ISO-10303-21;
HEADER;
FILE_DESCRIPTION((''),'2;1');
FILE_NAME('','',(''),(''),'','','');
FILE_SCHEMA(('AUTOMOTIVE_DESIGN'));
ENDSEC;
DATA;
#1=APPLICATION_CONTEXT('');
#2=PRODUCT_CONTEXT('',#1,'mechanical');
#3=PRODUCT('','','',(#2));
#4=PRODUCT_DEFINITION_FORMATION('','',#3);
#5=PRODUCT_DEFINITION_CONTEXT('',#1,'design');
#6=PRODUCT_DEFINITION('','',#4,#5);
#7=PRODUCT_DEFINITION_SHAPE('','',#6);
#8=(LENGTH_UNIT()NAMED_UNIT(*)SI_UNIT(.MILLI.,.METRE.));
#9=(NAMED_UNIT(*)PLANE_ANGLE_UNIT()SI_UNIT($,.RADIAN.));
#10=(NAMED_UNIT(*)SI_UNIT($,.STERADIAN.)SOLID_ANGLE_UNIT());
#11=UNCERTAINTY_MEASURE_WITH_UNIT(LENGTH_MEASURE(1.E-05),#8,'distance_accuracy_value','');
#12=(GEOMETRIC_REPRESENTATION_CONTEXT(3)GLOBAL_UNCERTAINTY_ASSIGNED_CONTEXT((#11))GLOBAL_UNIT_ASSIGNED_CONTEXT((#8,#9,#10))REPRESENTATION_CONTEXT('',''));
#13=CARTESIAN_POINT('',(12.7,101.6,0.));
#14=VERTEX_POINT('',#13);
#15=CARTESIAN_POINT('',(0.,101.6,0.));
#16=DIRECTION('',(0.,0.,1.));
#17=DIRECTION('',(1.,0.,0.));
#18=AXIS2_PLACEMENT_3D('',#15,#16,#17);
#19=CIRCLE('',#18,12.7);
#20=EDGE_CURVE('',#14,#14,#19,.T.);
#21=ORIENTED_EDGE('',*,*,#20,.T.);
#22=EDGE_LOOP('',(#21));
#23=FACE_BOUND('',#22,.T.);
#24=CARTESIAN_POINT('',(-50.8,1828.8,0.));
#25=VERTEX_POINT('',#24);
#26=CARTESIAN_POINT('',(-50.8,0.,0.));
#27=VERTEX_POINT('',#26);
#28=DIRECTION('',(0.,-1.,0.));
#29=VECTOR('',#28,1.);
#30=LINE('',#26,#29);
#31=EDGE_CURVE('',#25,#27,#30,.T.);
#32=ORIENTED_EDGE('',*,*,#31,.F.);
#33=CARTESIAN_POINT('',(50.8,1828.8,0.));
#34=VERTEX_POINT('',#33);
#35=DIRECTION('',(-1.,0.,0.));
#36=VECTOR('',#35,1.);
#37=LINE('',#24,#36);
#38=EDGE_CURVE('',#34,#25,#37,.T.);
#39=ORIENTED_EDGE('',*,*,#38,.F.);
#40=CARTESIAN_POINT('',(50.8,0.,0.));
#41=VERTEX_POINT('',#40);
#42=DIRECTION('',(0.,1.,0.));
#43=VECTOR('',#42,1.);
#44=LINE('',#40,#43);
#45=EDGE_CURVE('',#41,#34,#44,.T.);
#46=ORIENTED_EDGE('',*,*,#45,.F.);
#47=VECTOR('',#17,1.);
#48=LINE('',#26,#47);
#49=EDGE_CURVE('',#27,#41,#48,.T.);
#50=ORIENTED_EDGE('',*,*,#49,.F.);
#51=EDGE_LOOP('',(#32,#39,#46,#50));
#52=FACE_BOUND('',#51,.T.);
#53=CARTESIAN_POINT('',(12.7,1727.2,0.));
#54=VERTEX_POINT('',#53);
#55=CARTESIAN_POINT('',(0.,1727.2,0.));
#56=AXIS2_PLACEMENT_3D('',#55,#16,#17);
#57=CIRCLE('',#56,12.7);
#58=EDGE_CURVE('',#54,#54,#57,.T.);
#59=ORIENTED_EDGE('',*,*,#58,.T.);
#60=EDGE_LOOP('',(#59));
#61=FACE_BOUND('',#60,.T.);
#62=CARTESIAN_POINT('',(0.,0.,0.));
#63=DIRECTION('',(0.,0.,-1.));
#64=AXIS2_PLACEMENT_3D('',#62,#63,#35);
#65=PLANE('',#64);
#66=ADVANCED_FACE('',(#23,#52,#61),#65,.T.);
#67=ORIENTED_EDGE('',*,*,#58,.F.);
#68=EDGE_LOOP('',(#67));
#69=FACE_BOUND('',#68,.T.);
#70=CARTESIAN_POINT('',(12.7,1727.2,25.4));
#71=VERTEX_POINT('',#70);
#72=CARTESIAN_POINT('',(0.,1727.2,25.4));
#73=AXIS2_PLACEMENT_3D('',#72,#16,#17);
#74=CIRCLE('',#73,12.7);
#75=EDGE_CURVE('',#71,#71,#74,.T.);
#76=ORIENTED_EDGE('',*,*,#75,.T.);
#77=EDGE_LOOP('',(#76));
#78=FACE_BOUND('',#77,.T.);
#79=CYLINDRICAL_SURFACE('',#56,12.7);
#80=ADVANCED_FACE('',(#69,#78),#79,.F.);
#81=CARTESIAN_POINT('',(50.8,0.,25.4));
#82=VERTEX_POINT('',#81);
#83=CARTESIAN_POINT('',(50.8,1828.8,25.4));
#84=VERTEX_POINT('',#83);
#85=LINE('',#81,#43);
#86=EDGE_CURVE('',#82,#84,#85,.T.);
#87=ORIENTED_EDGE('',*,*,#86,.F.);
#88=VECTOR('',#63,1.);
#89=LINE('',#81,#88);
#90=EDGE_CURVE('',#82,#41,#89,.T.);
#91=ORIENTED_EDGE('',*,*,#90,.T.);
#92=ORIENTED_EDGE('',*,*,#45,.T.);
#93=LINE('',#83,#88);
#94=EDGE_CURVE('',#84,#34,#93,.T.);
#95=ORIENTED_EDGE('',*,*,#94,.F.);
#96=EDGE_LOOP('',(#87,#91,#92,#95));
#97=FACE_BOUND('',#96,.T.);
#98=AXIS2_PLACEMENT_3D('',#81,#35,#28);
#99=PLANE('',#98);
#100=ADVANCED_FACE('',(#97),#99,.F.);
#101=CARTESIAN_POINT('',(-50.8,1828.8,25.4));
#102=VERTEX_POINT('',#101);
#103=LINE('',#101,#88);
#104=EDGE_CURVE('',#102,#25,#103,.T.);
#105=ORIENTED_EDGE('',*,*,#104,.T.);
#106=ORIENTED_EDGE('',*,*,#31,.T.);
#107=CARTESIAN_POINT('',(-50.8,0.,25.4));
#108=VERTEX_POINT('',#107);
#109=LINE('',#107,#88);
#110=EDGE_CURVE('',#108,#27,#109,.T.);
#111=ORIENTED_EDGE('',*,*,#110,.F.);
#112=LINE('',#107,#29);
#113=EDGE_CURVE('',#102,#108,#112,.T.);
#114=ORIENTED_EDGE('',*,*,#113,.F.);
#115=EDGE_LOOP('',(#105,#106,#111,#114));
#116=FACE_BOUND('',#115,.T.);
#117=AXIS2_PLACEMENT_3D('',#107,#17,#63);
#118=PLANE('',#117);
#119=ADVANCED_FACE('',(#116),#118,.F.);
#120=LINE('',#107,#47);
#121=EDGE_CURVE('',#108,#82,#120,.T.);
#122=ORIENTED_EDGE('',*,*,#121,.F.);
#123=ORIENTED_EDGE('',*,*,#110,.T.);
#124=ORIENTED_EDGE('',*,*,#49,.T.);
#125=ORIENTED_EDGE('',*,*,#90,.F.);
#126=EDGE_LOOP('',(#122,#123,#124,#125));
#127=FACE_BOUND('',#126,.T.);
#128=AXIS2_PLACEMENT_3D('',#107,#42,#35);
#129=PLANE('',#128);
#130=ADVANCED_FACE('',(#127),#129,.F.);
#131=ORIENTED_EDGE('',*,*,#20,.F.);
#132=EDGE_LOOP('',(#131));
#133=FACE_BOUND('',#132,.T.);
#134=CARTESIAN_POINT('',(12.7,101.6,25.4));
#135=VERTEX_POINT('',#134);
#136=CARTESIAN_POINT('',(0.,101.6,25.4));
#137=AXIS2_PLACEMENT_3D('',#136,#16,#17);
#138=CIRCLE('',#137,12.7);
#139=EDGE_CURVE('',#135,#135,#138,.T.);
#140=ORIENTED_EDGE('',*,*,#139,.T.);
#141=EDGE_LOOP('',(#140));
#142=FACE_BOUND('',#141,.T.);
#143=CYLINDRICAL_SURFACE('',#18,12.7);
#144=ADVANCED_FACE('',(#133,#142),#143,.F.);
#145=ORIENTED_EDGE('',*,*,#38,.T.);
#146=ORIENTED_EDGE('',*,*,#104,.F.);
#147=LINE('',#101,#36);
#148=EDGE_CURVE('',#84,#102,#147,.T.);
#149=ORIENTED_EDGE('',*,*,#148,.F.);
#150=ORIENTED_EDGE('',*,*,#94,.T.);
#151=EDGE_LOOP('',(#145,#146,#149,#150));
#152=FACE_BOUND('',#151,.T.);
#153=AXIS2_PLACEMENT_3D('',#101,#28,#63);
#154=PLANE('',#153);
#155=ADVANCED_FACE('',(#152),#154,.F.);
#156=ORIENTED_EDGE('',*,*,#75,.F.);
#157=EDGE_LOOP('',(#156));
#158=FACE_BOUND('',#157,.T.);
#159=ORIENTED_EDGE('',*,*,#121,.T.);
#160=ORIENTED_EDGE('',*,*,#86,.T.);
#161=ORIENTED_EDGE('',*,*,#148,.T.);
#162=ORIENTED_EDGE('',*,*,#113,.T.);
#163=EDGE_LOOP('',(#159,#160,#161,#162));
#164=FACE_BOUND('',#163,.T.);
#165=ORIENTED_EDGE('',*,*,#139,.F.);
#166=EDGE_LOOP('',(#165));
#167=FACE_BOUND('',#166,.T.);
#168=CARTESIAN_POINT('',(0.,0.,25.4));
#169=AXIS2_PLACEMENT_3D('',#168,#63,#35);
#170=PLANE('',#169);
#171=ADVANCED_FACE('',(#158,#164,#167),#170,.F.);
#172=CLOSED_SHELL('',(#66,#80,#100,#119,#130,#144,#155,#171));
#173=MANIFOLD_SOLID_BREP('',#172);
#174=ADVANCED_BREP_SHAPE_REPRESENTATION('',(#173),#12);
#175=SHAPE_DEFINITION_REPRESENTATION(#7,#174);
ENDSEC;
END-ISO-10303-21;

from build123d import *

# Parameters (mm, degrees)
SKETCH1_W           = 101.6
SKETCH1_H           = 1828.8
BOSS_EXTRUDE1_DEPTH = 25.4
SKETCH2_R           = 12.7
CUT_EXTRUDE1_DEPTH  = 1830.681731887


with BuildPart() as part:
    # Sketch1 → Boss-Extrude1 (new body)
    with BuildSketch(Plane.XY):
        with Locations((0, 914.4)):
            Rectangle(SKETCH1_W, SKETCH1_H)
    extrude(amount=BOSS_EXTRUDE1_DEPTH)

    # Sketch2 → Cut-Extrude1 (cut, through all)
    with BuildSketch(Plane.XY.offset(25.4)):
        with Locations((0, 1727.2)):
            Circle(SKETCH2_R)
        with Locations((0, 101.6)):
            Circle(SKETCH2_R)
    extrude(amount=-CUT_EXTRUDE1_DEPTH, mode=Mode.SUBTRACT)


solid = part.part
